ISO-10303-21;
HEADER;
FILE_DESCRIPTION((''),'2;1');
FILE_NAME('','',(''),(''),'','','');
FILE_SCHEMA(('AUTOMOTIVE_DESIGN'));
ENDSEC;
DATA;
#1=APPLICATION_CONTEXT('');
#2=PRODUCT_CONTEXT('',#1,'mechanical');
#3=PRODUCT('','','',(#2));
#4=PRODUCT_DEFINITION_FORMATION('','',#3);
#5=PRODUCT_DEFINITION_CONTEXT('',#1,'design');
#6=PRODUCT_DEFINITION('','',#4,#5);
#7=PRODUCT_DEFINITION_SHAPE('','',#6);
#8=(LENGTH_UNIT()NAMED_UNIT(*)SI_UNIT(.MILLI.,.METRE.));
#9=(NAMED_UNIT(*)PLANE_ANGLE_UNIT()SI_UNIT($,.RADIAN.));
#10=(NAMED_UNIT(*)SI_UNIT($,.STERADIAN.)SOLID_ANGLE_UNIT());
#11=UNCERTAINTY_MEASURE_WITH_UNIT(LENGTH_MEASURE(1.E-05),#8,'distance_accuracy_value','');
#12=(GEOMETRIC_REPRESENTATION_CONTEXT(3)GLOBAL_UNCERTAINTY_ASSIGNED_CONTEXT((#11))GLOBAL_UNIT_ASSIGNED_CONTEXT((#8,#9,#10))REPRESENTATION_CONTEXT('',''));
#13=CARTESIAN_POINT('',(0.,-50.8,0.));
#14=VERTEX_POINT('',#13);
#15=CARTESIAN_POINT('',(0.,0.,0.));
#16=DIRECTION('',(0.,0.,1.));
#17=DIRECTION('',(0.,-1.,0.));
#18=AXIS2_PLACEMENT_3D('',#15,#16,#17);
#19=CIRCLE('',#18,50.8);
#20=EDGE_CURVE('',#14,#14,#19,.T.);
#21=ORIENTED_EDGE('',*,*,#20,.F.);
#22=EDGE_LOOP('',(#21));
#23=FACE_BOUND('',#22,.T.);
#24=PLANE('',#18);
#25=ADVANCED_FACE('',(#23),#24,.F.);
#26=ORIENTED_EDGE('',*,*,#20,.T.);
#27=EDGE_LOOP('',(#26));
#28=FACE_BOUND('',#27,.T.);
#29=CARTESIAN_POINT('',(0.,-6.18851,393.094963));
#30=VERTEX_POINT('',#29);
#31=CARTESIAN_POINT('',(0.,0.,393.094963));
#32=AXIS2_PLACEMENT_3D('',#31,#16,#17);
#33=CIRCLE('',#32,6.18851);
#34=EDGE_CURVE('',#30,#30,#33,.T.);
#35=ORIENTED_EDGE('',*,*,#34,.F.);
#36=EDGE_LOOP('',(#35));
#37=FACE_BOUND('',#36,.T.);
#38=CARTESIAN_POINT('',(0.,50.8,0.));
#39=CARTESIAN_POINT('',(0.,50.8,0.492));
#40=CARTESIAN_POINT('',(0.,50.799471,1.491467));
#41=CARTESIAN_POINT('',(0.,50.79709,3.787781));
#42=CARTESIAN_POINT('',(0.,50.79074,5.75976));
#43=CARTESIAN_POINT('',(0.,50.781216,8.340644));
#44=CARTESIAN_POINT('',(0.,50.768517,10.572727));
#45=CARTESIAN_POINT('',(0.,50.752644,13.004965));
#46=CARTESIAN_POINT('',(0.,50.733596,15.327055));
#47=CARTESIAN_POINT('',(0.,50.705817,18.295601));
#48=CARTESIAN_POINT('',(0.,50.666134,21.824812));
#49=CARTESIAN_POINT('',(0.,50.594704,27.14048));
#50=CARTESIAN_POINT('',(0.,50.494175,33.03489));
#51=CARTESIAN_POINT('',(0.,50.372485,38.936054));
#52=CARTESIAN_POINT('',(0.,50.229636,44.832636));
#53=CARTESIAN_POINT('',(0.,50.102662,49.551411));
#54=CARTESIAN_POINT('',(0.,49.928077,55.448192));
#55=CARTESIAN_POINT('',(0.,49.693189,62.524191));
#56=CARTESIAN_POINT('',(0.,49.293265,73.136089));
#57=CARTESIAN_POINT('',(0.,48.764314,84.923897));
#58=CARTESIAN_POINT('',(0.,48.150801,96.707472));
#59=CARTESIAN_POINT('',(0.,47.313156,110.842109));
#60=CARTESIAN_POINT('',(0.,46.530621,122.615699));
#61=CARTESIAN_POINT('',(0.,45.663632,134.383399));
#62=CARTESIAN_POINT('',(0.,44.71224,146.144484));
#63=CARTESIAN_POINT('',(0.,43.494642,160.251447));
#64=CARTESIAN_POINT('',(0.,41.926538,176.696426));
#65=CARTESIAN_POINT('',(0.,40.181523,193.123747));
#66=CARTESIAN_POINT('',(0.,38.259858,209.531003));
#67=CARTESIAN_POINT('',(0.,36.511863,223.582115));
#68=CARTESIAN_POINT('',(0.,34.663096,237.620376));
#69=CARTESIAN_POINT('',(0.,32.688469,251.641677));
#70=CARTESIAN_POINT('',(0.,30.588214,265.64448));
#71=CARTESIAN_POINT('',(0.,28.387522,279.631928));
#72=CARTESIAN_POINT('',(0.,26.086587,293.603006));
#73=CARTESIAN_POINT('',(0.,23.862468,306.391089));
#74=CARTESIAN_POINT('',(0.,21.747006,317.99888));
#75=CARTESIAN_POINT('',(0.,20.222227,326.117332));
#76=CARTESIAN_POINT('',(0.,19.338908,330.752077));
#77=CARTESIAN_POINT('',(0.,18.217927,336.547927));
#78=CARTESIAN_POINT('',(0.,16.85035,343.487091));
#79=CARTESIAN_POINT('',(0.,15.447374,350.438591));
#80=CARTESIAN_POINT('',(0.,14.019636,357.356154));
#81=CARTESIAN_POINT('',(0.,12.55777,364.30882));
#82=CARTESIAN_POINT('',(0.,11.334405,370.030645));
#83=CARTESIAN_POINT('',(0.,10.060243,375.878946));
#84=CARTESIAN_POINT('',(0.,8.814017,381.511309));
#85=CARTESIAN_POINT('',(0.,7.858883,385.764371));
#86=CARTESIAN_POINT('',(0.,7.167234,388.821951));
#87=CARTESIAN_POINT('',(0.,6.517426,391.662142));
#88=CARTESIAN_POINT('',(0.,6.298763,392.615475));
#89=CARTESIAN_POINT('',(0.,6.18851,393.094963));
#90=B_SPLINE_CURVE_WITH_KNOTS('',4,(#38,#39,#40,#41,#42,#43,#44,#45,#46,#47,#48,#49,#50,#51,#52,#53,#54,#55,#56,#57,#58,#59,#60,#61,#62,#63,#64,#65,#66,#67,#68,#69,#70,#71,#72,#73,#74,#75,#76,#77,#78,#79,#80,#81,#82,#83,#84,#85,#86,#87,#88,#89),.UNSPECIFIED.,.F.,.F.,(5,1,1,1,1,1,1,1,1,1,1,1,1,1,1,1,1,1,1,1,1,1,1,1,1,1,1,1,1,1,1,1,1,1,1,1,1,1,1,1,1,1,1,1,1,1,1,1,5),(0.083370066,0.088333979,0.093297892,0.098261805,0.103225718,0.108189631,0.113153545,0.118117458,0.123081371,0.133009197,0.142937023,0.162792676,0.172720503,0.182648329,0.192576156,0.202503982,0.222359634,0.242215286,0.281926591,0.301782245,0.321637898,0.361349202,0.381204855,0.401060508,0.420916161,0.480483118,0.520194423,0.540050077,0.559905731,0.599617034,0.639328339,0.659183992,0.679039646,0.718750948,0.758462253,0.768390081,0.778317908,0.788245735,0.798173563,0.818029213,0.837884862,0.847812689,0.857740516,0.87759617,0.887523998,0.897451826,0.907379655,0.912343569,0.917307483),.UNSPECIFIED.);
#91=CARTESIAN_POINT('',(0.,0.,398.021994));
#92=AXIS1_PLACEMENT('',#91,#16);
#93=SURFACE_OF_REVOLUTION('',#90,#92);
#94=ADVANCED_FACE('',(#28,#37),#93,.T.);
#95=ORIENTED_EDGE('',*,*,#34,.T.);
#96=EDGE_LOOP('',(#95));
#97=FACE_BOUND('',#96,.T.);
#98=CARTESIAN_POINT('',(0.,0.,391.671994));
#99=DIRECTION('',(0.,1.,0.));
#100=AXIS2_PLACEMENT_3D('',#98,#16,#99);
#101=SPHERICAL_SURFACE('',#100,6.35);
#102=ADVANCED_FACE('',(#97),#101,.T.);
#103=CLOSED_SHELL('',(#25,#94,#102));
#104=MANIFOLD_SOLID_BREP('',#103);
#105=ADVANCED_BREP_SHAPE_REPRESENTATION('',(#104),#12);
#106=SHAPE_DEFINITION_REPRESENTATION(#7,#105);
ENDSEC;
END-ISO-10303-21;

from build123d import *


with BuildPart() as part:
    # Sketch2 → Revolve3 (revolve)
    with BuildSketch(Plane(origin=(0, 0, 0), x_dir=(0, 0, -1), z_dir=(1, 0, 0))):
        with BuildLine():
            Line((0, 0), (0, 50.8))
            add(Edge.make_bspline(
                [(-393.094962658, 6.188510445), (-392.615474646, 6.298762531), (-391.662141732, 6.517426214), (-388.821951047, 7.167233862), (-385.764371439, 7.858883348), (-381.511309012, 8.814017229), (-375.878946011, 10.06024323), (-370.030644638, 11.334405211), (-364.308819986, 12.557770181), (-357.356154027, 14.019635599), (-350.438590771, 15.447374252), (-343.487091036, 16.850349791), (-336.547927411, 18.217927146), (-330.752076671, 19.338908465), (-326.117332404, 20.222226526), (-317.998879836, 21.747006462), (-306.391088709, 23.862468279), (-293.603006318, 26.086587187), (-279.631928109, 28.387522391), (-265.644479942, 30.588214451), (-251.641677432, 32.688469007), (-237.620375858, 34.663096369), (-223.582115236, 36.511862914), (-209.531002505, 38.259857886), (-193.123747311, 40.181523174), (-176.69642632, 41.926538459), (-160.251447319, 43.494641811), (-146.144483907, 44.712240173), (-134.383399306, 45.663631778), (-122.615699153, 46.530620749), (-110.842109395, 47.313156137), (-96.707471975, 48.150801022), (-84.923897035, 48.764313665), (-73.136088936, 49.293264675), (-62.524190954, 49.693188726), (-55.448191673, 49.928076693), (-49.551411497, 50.102661885), (-44.83263635, 50.229636147), (-38.936054307, 50.37248547), (-33.03489047, 50.494175399), (-27.140479685, 50.594704101), (-21.824811931, 50.666133586), (-18.29560142, 50.705816978), (-15.327055488, 50.733595513), (-13.004964767, 50.752643727), (-10.572726913, 50.76851729), (-8.340644298, 50.781216176), (-5.759760209, 50.79074036), (-3.787780928, 50.797089826), (-1.491466793, 50.799470877), (-0.492000182, 50.8), (0, 50.8)],
                knots=[0.083370066, 0.083370066, 0.083370066, 0.083370066, 0.083370066, 0.08833398, 0.093297894, 0.103225722, 0.113153551, 0.123081379, 0.142937033, 0.152864859, 0.162792686, 0.182648336, 0.202503986, 0.212431813, 0.222359641, 0.232287468, 0.242215295, 0.2819266, 0.321637903, 0.341493557, 0.36134921, 0.401060515, 0.440771818, 0.460627472, 0.480483126, 0.520194431, 0.579761387, 0.599617041, 0.619472694, 0.639328346, 0.679039651, 0.698895304, 0.718750957, 0.758462262, 0.778317914, 0.798173566, 0.808101393, 0.81802922, 0.827957046, 0.837884873, 0.857740525, 0.867668352, 0.877596178, 0.882560091, 0.887524004, 0.892487917, 0.89745183, 0.902415744, 0.907379657, 0.91234357, 0.917307483, 0.917307483, 0.917307483, 0.917307483, 0.917307483], degree=4))
            ThreePointArc((-393.094962658, 6.188510445), (-396.639808273, 3.955164471), (-398.021994467, 0))
            Line((-398.021994467, 0), (0, 0))
        make_face()
    revolve(axis=Axis((0, 0, 398.021994467), (0, 0, -1)))


solid = part.part
